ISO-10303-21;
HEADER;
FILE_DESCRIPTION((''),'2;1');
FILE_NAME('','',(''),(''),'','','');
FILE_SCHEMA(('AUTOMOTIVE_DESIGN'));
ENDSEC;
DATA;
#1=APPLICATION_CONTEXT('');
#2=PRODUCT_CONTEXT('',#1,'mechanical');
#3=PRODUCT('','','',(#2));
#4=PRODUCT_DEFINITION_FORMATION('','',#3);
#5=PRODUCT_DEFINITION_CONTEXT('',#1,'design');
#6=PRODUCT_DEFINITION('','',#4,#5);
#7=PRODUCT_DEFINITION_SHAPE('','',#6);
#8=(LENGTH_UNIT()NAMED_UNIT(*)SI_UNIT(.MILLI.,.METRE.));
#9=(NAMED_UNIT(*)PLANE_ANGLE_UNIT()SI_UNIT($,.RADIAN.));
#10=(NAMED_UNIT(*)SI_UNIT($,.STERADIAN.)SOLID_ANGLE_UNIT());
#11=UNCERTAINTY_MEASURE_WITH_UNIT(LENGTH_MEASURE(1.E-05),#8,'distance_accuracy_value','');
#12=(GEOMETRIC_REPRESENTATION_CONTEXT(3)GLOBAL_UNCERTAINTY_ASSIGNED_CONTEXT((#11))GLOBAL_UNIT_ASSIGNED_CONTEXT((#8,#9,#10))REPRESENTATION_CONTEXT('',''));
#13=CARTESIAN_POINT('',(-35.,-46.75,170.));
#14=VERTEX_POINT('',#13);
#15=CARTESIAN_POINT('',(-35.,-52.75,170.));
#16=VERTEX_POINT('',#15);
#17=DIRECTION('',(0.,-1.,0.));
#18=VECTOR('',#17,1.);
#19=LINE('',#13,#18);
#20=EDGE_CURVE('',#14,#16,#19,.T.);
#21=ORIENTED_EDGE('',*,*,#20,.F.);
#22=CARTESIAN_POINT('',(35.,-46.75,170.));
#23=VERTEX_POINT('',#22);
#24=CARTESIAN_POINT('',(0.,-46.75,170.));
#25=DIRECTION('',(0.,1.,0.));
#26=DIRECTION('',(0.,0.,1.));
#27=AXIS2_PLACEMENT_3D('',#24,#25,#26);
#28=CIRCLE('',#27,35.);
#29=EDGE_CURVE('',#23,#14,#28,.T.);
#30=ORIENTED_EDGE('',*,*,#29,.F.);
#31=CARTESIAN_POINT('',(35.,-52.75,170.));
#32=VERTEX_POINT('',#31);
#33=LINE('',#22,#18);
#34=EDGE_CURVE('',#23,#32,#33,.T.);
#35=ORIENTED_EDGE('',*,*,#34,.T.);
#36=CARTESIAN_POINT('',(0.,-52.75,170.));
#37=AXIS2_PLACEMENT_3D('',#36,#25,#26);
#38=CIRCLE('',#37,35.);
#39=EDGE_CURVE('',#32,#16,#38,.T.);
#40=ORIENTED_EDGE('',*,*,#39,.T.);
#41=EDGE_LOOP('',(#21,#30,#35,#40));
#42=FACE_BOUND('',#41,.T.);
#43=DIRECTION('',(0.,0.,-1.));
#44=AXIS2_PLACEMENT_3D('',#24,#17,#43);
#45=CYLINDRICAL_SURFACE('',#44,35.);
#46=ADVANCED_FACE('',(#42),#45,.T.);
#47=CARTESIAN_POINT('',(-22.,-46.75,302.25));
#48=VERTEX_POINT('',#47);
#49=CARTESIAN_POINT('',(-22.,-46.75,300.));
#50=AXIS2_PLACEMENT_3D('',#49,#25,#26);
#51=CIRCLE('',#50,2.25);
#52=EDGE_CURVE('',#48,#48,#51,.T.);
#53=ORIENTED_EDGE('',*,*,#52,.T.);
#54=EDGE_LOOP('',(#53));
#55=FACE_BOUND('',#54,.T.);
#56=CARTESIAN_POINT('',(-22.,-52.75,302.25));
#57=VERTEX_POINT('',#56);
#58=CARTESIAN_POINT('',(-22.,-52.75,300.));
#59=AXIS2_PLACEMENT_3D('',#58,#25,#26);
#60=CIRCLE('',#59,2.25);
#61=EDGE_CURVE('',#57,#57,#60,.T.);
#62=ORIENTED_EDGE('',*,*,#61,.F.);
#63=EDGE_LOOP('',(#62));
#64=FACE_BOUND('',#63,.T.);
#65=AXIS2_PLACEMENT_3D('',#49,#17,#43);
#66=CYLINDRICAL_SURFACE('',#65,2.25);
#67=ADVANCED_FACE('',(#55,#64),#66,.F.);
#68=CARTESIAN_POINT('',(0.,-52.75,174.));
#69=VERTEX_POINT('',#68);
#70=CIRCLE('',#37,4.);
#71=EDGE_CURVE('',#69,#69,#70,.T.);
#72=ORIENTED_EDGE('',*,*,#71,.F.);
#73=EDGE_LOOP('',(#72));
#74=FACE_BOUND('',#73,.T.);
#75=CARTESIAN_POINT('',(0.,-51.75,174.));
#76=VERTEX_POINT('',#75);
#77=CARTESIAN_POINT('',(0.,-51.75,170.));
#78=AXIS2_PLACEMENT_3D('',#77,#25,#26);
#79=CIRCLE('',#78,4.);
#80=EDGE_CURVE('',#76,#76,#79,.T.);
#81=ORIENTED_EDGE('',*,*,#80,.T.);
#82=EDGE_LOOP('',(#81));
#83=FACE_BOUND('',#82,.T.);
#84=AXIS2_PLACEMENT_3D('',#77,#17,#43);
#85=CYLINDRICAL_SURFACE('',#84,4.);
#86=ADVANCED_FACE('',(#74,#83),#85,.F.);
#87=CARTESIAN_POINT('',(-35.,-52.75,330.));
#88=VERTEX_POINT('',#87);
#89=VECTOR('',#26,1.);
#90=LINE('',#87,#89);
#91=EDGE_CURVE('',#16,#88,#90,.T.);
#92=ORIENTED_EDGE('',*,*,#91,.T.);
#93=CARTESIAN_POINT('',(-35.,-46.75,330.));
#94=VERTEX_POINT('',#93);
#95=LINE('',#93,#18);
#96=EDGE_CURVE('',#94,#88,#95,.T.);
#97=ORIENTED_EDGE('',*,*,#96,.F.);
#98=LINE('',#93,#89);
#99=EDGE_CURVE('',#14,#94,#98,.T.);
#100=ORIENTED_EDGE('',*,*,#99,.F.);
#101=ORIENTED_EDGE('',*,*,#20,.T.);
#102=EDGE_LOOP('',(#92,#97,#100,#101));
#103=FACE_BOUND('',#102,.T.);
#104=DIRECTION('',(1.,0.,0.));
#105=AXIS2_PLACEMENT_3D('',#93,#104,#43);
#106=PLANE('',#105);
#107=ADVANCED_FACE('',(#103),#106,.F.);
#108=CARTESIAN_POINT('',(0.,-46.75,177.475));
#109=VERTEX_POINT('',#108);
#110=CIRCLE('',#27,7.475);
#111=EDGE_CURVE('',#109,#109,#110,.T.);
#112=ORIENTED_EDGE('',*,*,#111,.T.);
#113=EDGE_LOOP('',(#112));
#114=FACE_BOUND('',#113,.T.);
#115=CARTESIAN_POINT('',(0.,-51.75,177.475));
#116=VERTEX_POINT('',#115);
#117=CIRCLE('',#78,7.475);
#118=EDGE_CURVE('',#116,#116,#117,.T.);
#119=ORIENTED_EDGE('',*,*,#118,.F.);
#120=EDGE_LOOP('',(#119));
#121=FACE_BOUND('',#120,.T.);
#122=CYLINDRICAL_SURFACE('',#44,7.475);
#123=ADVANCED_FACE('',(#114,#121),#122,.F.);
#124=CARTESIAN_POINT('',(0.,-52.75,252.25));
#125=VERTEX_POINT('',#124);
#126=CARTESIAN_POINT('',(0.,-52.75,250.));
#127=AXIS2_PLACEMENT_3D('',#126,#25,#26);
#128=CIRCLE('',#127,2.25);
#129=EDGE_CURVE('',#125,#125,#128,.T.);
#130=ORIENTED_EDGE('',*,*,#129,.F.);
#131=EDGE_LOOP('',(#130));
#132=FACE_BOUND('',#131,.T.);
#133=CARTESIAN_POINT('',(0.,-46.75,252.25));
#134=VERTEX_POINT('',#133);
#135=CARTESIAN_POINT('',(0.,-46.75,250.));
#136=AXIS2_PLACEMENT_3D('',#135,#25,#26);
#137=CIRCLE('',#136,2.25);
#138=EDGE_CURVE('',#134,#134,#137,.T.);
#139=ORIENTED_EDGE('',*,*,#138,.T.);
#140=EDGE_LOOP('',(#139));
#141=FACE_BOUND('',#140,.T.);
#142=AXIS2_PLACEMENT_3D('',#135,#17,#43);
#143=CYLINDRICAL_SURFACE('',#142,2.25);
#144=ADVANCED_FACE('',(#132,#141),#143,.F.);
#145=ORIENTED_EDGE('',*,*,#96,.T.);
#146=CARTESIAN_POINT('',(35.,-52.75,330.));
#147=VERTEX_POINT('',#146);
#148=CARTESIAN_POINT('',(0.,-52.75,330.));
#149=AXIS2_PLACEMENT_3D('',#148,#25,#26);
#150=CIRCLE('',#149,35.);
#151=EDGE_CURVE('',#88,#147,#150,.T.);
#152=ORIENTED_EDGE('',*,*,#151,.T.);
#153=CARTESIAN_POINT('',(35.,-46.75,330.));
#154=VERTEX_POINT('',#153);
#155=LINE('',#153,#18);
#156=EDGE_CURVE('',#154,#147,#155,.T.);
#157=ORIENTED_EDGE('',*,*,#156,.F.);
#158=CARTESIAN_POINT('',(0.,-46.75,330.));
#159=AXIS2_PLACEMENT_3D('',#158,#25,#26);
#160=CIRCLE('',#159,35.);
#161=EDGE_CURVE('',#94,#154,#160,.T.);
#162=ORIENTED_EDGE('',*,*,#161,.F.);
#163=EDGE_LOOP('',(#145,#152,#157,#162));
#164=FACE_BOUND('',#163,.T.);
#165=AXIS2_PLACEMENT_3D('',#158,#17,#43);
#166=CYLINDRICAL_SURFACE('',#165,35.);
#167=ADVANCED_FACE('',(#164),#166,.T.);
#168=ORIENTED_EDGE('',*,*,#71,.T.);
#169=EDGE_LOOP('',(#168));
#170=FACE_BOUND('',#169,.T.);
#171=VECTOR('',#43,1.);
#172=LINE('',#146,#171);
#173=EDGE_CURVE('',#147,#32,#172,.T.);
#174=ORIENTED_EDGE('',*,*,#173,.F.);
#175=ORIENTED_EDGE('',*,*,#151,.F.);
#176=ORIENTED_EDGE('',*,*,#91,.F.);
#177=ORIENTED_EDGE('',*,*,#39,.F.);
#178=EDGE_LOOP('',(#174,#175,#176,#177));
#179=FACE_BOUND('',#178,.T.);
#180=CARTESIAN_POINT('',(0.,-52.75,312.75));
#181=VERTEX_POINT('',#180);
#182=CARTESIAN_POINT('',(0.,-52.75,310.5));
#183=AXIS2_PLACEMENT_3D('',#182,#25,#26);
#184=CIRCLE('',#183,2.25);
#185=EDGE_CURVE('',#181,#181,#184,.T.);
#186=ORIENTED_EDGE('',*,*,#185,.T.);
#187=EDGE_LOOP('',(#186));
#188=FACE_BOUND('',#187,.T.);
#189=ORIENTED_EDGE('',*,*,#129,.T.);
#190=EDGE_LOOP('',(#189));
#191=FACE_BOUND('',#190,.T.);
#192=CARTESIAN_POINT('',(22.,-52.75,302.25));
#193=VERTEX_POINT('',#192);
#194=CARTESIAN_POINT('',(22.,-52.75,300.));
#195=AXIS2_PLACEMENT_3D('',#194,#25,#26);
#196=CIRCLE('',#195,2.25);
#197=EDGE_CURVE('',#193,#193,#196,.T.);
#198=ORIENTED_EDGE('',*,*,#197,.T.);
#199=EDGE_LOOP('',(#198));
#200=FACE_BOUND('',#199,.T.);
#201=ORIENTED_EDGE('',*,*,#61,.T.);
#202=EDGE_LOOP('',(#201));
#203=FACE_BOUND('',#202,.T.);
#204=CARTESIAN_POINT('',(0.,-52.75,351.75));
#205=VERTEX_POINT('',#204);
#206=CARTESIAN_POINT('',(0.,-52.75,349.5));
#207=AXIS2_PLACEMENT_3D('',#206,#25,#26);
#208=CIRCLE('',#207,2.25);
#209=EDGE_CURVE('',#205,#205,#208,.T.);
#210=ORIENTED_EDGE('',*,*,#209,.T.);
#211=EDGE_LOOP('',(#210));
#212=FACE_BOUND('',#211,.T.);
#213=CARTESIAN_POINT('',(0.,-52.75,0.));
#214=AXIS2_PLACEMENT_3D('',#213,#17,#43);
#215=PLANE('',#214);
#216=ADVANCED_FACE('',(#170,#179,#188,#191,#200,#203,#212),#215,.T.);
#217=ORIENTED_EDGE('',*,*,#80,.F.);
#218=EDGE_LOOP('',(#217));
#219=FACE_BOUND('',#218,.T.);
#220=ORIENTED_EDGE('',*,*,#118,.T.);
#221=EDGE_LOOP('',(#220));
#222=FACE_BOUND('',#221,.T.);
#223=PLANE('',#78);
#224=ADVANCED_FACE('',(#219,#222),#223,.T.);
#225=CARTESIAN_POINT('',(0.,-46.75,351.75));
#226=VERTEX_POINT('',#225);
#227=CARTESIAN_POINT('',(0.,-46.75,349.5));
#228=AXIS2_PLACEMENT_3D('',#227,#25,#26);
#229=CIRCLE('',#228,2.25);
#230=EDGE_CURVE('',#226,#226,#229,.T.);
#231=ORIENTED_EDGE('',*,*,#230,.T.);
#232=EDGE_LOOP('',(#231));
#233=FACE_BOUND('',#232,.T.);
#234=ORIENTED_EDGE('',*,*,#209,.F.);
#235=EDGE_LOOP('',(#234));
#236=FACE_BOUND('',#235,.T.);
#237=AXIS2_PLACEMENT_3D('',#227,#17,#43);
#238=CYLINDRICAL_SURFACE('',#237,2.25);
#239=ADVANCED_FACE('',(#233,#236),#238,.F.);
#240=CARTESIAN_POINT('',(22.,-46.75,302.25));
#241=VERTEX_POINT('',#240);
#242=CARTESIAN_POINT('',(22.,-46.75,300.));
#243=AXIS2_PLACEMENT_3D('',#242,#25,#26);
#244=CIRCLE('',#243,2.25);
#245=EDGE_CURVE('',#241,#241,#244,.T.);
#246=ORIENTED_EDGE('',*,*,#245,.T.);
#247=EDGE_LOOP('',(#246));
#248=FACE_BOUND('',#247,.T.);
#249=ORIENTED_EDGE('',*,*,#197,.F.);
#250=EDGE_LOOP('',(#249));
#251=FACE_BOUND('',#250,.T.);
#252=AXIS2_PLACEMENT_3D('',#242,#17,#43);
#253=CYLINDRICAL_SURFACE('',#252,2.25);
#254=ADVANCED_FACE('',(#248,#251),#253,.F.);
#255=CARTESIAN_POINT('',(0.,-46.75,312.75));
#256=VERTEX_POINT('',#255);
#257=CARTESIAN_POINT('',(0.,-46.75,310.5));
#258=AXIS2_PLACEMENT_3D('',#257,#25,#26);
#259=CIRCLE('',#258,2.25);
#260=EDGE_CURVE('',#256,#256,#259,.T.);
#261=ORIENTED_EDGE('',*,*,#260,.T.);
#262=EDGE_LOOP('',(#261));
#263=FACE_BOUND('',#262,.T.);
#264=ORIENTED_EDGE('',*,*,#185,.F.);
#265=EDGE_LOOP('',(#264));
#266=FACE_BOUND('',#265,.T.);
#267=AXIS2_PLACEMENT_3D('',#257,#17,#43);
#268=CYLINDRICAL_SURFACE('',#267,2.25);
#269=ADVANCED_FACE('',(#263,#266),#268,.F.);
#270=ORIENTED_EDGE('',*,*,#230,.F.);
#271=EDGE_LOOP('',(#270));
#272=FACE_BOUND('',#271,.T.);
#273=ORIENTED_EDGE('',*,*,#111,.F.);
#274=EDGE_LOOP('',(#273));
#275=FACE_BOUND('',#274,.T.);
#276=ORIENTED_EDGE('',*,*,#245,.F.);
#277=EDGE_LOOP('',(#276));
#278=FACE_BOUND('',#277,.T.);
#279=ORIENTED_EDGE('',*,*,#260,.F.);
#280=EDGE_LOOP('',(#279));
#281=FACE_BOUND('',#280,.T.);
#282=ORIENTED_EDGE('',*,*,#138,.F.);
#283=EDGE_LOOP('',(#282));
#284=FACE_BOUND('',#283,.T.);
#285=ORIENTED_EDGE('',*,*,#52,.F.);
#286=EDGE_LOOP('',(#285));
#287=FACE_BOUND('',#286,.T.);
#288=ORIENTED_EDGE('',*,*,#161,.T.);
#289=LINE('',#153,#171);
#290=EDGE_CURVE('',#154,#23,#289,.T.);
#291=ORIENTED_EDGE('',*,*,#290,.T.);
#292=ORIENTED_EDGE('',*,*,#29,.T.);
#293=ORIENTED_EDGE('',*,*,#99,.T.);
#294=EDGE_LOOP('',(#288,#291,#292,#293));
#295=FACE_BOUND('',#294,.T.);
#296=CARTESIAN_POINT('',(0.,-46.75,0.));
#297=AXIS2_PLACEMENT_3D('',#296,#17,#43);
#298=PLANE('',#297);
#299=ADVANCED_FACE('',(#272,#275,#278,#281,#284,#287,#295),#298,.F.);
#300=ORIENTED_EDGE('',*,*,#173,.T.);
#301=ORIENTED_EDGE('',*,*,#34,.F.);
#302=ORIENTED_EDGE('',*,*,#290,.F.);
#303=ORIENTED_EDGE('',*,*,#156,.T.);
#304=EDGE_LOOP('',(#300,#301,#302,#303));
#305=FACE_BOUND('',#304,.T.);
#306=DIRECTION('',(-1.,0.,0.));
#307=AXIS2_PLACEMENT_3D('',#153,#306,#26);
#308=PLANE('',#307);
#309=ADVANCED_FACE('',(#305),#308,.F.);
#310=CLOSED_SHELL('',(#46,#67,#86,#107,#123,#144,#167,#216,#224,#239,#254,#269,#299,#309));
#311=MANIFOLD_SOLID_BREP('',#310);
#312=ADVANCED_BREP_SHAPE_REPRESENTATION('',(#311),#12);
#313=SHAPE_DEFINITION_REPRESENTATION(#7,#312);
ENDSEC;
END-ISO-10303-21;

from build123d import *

# Parameters (mm, degrees)
PLACA_START                   = -52.75
SK_PLACA_W                    = 70
SK_PLACA_H                    = 160
PLACA_DEPTH                   = 6
EXTREMOS_START                = -52.75
SK_EXTREMOS_R                 = 35
EXTREMOS_DEPTH                = 6
PASANTES_M4_SEPARADORES_START = -52.75
SK_PASANTES_M4_SEPARADORES_R  = 2.25
PASANTES_M4_SEPARADORES_DEPTH = 6
ALOJAMIENTO_696ZZ_START       = -51.75
SK_ALOJAMIENTO_696ZZ_R        = 7.475
ALOJAMIENTO_696ZZ_DEPTH       = 5
PASO_EXTRACTOR_START          = -52.75
SK_PASO_EXTRACTOR_R           = 4
PASO_EXTRACTOR_DEPTH          = 1
PASANTES_M4_EJEFALSO_J3_START = -52.75
SK_PASANTES_M4_EJEFALSO_J3_R  = 2.25
PASANTES_M4_EJEFALSO_J3_DEPTH = 6


with BuildPart() as part:
    # Sk_Placa → Placa (new body)
    with BuildSketch(Plane(origin=(0, 0, 0), x_dir=(1, 0, 0), z_dir=(0, 1, 0)).offset(PLACA_START)):
        with Locations((0, -250)):
            Rectangle(SK_PLACA_W, SK_PLACA_H)
    extrude(amount=PLACA_DEPTH)

    # Sk_Extremos → Extremos (add)
    with BuildSketch(Plane(origin=(0, 0, 0), x_dir=(1, 0, 0), z_dir=(0, 1, 0)).offset(EXTREMOS_START)):
        with Locations((0, -170)):
            Circle(SK_EXTREMOS_R)
        with Locations((0, -330)):
            Circle(SK_EXTREMOS_R)
    extrude(amount=EXTREMOS_DEPTH)

    # Sk_Pasantes_M4_separadores → Pasantes_M4_separadores (cut)
    with BuildSketch(Plane(origin=(0, 0, 0), x_dir=(1, 0, 0), z_dir=(0, 1, 0)).offset(PASANTES_M4_SEPARADORES_START)):
        with Locations(Location((0, -250, 0), (0, 0, 270))):
            Circle(SK_PASANTES_M4_SEPARADORES_R)
        with Locations(Location((-22, -300, 0), (0, 0, 270))):
            Circle(SK_PASANTES_M4_SEPARADORES_R)
        with Locations(Location((22, -300, 0), (0, 0, 270))):
            Circle(SK_PASANTES_M4_SEPARADORES_R)
    extrude(amount=PASANTES_M4_SEPARADORES_DEPTH, mode=Mode.SUBTRACT)

    # Sk_Alojamiento_696ZZ → Alojamiento_696ZZ (cut)
    with BuildSketch(Plane(origin=(0, 0, 0), x_dir=(1, 0, 0), z_dir=(0, 1, 0)).offset(ALOJAMIENTO_696ZZ_START)):
        with Locations(Location((0, -170, 0), (0, 0, 270))):
            Circle(SK_ALOJAMIENTO_696ZZ_R)
    extrude(amount=ALOJAMIENTO_696ZZ_DEPTH, mode=Mode.SUBTRACT)

    # Sk_Paso_extractor → Paso_extractor (cut)
    with BuildSketch(Plane(origin=(0, 0, 0), x_dir=(1, 0, 0), z_dir=(0, 1, 0)).offset(PASO_EXTRACTOR_START)):
        with Locations(Location((0, -170, 0), (0, 0, 270))):
            Circle(SK_PASO_EXTRACTOR_R)
    extrude(amount=PASO_EXTRACTOR_DEPTH, mode=Mode.SUBTRACT)

    # Sk_Pasantes_M4_ejefalso_J3 → Pasantes_M4_ejefalso_J3 (cut)
    with BuildSketch(Plane(origin=(0, 0, 0), x_dir=(1, 0, 0), z_dir=(0, 1, 0)).offset(PASANTES_M4_EJEFALSO_J3_START)):
        with Locations(Location((0, -310.5, 0), (0, 0, 270))):
            Circle(SK_PASANTES_M4_EJEFALSO_J3_R)
        with Locations(Location((0, -349.5, 0), (0, 0, 270))):
            Circle(SK_PASANTES_M4_EJEFALSO_J3_R)
    extrude(amount=PASANTES_M4_EJEFALSO_J3_DEPTH, mode=Mode.SUBTRACT)


solid = part.part
